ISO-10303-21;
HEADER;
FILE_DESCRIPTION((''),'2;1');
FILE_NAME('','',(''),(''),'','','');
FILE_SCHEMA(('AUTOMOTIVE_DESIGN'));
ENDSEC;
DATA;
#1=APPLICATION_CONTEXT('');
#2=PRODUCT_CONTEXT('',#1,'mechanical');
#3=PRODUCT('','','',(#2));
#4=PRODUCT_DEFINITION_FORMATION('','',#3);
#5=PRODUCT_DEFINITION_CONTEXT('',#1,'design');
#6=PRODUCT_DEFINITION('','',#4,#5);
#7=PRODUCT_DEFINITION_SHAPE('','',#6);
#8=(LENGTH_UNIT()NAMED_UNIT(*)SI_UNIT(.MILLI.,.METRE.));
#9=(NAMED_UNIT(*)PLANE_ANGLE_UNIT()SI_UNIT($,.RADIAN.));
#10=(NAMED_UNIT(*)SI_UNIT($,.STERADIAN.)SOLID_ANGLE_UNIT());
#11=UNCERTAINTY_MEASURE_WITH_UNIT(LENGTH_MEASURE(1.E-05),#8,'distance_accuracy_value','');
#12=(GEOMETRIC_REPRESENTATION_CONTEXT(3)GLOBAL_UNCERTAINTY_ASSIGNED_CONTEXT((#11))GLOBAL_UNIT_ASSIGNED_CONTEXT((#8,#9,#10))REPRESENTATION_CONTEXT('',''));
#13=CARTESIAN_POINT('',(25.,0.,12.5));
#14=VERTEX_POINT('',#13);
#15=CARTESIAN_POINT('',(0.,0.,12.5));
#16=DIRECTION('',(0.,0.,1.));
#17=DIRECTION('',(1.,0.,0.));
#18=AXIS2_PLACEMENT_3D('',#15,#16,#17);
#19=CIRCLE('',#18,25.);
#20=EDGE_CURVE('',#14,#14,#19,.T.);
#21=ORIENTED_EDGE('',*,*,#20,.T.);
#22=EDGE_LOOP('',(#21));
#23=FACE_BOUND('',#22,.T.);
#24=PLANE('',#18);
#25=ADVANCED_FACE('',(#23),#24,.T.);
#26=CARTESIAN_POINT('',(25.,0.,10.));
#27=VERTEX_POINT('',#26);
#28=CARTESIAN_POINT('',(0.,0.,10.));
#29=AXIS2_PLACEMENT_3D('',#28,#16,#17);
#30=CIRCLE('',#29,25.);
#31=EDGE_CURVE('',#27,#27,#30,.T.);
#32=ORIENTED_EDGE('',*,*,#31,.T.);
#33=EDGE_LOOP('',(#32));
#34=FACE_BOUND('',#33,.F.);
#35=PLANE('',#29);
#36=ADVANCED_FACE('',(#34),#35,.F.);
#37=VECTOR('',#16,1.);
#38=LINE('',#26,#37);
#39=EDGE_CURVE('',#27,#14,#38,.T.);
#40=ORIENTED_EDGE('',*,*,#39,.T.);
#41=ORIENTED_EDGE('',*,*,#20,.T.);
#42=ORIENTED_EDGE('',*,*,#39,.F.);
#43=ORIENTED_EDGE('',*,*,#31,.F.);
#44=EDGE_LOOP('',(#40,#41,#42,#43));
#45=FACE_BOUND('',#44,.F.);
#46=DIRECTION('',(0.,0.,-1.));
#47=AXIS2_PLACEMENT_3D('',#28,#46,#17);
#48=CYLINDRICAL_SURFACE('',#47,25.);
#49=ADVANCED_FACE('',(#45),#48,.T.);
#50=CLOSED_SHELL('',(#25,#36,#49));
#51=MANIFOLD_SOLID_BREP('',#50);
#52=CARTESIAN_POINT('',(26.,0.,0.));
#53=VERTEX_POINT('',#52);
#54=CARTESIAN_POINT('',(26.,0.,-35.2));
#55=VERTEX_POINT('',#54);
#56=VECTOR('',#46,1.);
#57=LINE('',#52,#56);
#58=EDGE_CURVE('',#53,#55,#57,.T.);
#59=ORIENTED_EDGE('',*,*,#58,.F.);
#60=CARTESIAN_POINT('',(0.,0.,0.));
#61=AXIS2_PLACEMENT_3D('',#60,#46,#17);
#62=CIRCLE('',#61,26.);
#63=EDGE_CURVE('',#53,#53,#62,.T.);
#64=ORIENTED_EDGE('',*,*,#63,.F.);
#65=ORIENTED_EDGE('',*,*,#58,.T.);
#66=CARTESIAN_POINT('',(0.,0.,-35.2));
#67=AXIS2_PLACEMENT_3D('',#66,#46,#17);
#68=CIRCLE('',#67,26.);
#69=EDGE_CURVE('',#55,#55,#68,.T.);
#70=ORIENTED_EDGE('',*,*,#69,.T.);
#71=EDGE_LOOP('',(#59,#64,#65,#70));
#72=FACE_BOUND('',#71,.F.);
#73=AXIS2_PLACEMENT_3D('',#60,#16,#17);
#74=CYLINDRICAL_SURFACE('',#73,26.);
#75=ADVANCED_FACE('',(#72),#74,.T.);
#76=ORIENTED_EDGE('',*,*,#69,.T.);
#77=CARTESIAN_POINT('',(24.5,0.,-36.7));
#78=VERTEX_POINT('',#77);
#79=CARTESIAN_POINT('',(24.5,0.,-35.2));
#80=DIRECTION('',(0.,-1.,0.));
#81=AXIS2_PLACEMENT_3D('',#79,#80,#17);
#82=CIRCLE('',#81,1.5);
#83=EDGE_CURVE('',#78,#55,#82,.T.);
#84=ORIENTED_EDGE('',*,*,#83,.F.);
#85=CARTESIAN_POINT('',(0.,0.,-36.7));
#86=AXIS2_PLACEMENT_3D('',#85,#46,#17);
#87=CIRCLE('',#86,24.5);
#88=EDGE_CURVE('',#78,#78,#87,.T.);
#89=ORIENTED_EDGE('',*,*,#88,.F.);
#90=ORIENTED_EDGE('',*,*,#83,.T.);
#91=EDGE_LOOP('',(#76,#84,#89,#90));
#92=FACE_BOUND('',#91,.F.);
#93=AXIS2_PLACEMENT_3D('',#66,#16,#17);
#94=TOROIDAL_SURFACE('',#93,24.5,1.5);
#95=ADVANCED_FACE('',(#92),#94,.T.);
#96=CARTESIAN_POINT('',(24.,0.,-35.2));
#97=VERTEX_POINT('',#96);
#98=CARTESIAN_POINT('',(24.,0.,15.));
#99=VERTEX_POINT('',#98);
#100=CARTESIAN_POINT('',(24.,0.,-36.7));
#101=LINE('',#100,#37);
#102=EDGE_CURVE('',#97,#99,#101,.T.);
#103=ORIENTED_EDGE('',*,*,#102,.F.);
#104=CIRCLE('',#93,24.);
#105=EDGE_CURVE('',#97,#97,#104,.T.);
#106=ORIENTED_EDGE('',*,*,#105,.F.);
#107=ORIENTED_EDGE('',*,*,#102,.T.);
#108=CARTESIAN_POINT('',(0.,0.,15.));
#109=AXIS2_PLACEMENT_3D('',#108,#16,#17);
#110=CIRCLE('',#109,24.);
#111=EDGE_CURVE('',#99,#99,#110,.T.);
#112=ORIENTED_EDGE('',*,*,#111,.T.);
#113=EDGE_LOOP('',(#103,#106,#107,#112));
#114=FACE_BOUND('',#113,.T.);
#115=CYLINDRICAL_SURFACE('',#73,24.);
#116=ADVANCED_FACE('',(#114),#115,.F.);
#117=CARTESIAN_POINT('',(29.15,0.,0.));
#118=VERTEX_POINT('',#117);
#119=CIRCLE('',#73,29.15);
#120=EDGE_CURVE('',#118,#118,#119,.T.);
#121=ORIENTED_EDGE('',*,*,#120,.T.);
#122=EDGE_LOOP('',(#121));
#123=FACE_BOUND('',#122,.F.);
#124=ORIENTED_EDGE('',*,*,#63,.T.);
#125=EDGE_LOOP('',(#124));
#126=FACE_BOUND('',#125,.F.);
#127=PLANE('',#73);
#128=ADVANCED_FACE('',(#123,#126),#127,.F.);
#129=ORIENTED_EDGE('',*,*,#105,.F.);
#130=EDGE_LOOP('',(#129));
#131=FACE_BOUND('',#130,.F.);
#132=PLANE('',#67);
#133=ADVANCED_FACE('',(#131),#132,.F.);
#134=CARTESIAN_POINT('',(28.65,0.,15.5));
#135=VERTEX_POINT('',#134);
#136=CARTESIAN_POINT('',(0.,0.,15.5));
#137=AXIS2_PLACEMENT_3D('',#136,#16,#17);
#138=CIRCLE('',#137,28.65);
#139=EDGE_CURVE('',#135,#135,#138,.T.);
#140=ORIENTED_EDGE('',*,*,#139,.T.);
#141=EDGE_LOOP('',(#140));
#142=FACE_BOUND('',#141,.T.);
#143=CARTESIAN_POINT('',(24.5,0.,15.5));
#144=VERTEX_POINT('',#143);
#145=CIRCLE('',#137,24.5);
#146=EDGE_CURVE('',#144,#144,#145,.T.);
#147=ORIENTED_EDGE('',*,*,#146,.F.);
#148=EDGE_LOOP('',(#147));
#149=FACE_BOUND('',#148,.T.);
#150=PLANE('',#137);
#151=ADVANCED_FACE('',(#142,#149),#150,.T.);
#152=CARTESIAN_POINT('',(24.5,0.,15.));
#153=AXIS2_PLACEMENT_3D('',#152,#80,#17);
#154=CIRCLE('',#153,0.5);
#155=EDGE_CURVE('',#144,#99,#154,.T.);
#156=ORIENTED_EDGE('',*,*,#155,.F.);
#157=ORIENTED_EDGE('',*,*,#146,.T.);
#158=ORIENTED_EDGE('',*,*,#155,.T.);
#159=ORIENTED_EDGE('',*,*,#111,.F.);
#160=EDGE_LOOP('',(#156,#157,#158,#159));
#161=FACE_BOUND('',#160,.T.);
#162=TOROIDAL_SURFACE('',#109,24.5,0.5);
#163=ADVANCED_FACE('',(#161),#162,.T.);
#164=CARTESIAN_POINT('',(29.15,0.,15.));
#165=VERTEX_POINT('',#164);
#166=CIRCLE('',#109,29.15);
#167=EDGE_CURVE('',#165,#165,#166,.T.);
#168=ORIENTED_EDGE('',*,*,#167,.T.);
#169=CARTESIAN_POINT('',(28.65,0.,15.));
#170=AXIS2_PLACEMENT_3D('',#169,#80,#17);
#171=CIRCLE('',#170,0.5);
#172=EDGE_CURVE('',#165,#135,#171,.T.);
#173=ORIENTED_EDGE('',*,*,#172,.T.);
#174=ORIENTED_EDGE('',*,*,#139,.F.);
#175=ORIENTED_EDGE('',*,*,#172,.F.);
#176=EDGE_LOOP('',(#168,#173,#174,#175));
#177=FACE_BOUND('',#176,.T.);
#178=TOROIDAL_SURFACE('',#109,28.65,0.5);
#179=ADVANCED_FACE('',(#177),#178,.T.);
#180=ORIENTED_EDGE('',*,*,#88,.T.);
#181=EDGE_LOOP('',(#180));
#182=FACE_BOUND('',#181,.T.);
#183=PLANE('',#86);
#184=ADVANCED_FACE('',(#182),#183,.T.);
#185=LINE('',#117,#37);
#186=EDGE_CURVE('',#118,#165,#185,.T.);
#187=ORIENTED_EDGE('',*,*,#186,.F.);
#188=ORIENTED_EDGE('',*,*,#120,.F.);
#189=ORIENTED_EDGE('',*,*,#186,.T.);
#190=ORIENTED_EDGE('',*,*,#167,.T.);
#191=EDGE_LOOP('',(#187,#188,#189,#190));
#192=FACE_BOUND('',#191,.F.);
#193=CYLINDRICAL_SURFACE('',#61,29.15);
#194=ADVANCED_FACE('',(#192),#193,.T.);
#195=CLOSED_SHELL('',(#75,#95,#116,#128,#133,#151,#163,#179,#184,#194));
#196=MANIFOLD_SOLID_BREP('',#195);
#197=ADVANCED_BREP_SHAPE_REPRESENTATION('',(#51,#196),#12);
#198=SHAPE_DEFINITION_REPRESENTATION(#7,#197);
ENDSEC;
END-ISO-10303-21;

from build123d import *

# Parameters (mm, degrees)
F0_R     = 29.15
F0_R_2   = 24
F1_DEPTH = 15.5
F3_R     = 25
F4_DEPTH = 2.5
F5_R     = 26
F5_R_2   = 24
F6_DEPTH = 36.7
F7_R     = 25.5
F8_DEPTH = 1.5
F9_R     = 1.5
F10_R    = 0.5


with BuildPart() as f1:
    # F0 (on Top) → F1 (new body)
    with BuildSketch(Plane.XY):
        Circle(F0_R)
        Circle(F0_R_2, mode=Mode.SUBTRACT)
    extrude(amount=F1_DEPTH)

    # F5 (on face) → F6 (join)
    with BuildSketch(Plane(origin=(0, 0, 0), x_dir=(1, 0, 0), z_dir=(0, 0, -1))):
        Circle(F5_R)
        Circle(F5_R_2, mode=Mode.SUBTRACT)
    extrude(amount=F6_DEPTH)

    # F7 (on face) → F8 (join)
    with BuildSketch(Plane(origin=(0, 0, -36.7), x_dir=(1, 0, 0), z_dir=(0, 0, -1))):
        Circle(F7_R)
    extrude(amount=-F8_DEPTH)

    # F9
    f9_edges = [f1.edges().sort_by_distance(p)[0] for p in [
        (-26, 0, -36.7),
    ]]
    fillet(f9_edges, radius=F9_R)

    # F10
    f10_edges = [f1.edges().sort_by_distance(p)[0] for p in [
        (-29.15, 0, 15.5),
        (-24, 0, 15.5),
    ]]
    fillet(f10_edges, radius=F10_R)


with BuildPart() as f4:
    # F3 (on offset) → F4 (new body)
    with BuildSketch(Plane.XY.offset(10)):
        Circle(F3_R)
    extrude(amount=F4_DEPTH)


solid = Compound([f1.part, f4.part])
